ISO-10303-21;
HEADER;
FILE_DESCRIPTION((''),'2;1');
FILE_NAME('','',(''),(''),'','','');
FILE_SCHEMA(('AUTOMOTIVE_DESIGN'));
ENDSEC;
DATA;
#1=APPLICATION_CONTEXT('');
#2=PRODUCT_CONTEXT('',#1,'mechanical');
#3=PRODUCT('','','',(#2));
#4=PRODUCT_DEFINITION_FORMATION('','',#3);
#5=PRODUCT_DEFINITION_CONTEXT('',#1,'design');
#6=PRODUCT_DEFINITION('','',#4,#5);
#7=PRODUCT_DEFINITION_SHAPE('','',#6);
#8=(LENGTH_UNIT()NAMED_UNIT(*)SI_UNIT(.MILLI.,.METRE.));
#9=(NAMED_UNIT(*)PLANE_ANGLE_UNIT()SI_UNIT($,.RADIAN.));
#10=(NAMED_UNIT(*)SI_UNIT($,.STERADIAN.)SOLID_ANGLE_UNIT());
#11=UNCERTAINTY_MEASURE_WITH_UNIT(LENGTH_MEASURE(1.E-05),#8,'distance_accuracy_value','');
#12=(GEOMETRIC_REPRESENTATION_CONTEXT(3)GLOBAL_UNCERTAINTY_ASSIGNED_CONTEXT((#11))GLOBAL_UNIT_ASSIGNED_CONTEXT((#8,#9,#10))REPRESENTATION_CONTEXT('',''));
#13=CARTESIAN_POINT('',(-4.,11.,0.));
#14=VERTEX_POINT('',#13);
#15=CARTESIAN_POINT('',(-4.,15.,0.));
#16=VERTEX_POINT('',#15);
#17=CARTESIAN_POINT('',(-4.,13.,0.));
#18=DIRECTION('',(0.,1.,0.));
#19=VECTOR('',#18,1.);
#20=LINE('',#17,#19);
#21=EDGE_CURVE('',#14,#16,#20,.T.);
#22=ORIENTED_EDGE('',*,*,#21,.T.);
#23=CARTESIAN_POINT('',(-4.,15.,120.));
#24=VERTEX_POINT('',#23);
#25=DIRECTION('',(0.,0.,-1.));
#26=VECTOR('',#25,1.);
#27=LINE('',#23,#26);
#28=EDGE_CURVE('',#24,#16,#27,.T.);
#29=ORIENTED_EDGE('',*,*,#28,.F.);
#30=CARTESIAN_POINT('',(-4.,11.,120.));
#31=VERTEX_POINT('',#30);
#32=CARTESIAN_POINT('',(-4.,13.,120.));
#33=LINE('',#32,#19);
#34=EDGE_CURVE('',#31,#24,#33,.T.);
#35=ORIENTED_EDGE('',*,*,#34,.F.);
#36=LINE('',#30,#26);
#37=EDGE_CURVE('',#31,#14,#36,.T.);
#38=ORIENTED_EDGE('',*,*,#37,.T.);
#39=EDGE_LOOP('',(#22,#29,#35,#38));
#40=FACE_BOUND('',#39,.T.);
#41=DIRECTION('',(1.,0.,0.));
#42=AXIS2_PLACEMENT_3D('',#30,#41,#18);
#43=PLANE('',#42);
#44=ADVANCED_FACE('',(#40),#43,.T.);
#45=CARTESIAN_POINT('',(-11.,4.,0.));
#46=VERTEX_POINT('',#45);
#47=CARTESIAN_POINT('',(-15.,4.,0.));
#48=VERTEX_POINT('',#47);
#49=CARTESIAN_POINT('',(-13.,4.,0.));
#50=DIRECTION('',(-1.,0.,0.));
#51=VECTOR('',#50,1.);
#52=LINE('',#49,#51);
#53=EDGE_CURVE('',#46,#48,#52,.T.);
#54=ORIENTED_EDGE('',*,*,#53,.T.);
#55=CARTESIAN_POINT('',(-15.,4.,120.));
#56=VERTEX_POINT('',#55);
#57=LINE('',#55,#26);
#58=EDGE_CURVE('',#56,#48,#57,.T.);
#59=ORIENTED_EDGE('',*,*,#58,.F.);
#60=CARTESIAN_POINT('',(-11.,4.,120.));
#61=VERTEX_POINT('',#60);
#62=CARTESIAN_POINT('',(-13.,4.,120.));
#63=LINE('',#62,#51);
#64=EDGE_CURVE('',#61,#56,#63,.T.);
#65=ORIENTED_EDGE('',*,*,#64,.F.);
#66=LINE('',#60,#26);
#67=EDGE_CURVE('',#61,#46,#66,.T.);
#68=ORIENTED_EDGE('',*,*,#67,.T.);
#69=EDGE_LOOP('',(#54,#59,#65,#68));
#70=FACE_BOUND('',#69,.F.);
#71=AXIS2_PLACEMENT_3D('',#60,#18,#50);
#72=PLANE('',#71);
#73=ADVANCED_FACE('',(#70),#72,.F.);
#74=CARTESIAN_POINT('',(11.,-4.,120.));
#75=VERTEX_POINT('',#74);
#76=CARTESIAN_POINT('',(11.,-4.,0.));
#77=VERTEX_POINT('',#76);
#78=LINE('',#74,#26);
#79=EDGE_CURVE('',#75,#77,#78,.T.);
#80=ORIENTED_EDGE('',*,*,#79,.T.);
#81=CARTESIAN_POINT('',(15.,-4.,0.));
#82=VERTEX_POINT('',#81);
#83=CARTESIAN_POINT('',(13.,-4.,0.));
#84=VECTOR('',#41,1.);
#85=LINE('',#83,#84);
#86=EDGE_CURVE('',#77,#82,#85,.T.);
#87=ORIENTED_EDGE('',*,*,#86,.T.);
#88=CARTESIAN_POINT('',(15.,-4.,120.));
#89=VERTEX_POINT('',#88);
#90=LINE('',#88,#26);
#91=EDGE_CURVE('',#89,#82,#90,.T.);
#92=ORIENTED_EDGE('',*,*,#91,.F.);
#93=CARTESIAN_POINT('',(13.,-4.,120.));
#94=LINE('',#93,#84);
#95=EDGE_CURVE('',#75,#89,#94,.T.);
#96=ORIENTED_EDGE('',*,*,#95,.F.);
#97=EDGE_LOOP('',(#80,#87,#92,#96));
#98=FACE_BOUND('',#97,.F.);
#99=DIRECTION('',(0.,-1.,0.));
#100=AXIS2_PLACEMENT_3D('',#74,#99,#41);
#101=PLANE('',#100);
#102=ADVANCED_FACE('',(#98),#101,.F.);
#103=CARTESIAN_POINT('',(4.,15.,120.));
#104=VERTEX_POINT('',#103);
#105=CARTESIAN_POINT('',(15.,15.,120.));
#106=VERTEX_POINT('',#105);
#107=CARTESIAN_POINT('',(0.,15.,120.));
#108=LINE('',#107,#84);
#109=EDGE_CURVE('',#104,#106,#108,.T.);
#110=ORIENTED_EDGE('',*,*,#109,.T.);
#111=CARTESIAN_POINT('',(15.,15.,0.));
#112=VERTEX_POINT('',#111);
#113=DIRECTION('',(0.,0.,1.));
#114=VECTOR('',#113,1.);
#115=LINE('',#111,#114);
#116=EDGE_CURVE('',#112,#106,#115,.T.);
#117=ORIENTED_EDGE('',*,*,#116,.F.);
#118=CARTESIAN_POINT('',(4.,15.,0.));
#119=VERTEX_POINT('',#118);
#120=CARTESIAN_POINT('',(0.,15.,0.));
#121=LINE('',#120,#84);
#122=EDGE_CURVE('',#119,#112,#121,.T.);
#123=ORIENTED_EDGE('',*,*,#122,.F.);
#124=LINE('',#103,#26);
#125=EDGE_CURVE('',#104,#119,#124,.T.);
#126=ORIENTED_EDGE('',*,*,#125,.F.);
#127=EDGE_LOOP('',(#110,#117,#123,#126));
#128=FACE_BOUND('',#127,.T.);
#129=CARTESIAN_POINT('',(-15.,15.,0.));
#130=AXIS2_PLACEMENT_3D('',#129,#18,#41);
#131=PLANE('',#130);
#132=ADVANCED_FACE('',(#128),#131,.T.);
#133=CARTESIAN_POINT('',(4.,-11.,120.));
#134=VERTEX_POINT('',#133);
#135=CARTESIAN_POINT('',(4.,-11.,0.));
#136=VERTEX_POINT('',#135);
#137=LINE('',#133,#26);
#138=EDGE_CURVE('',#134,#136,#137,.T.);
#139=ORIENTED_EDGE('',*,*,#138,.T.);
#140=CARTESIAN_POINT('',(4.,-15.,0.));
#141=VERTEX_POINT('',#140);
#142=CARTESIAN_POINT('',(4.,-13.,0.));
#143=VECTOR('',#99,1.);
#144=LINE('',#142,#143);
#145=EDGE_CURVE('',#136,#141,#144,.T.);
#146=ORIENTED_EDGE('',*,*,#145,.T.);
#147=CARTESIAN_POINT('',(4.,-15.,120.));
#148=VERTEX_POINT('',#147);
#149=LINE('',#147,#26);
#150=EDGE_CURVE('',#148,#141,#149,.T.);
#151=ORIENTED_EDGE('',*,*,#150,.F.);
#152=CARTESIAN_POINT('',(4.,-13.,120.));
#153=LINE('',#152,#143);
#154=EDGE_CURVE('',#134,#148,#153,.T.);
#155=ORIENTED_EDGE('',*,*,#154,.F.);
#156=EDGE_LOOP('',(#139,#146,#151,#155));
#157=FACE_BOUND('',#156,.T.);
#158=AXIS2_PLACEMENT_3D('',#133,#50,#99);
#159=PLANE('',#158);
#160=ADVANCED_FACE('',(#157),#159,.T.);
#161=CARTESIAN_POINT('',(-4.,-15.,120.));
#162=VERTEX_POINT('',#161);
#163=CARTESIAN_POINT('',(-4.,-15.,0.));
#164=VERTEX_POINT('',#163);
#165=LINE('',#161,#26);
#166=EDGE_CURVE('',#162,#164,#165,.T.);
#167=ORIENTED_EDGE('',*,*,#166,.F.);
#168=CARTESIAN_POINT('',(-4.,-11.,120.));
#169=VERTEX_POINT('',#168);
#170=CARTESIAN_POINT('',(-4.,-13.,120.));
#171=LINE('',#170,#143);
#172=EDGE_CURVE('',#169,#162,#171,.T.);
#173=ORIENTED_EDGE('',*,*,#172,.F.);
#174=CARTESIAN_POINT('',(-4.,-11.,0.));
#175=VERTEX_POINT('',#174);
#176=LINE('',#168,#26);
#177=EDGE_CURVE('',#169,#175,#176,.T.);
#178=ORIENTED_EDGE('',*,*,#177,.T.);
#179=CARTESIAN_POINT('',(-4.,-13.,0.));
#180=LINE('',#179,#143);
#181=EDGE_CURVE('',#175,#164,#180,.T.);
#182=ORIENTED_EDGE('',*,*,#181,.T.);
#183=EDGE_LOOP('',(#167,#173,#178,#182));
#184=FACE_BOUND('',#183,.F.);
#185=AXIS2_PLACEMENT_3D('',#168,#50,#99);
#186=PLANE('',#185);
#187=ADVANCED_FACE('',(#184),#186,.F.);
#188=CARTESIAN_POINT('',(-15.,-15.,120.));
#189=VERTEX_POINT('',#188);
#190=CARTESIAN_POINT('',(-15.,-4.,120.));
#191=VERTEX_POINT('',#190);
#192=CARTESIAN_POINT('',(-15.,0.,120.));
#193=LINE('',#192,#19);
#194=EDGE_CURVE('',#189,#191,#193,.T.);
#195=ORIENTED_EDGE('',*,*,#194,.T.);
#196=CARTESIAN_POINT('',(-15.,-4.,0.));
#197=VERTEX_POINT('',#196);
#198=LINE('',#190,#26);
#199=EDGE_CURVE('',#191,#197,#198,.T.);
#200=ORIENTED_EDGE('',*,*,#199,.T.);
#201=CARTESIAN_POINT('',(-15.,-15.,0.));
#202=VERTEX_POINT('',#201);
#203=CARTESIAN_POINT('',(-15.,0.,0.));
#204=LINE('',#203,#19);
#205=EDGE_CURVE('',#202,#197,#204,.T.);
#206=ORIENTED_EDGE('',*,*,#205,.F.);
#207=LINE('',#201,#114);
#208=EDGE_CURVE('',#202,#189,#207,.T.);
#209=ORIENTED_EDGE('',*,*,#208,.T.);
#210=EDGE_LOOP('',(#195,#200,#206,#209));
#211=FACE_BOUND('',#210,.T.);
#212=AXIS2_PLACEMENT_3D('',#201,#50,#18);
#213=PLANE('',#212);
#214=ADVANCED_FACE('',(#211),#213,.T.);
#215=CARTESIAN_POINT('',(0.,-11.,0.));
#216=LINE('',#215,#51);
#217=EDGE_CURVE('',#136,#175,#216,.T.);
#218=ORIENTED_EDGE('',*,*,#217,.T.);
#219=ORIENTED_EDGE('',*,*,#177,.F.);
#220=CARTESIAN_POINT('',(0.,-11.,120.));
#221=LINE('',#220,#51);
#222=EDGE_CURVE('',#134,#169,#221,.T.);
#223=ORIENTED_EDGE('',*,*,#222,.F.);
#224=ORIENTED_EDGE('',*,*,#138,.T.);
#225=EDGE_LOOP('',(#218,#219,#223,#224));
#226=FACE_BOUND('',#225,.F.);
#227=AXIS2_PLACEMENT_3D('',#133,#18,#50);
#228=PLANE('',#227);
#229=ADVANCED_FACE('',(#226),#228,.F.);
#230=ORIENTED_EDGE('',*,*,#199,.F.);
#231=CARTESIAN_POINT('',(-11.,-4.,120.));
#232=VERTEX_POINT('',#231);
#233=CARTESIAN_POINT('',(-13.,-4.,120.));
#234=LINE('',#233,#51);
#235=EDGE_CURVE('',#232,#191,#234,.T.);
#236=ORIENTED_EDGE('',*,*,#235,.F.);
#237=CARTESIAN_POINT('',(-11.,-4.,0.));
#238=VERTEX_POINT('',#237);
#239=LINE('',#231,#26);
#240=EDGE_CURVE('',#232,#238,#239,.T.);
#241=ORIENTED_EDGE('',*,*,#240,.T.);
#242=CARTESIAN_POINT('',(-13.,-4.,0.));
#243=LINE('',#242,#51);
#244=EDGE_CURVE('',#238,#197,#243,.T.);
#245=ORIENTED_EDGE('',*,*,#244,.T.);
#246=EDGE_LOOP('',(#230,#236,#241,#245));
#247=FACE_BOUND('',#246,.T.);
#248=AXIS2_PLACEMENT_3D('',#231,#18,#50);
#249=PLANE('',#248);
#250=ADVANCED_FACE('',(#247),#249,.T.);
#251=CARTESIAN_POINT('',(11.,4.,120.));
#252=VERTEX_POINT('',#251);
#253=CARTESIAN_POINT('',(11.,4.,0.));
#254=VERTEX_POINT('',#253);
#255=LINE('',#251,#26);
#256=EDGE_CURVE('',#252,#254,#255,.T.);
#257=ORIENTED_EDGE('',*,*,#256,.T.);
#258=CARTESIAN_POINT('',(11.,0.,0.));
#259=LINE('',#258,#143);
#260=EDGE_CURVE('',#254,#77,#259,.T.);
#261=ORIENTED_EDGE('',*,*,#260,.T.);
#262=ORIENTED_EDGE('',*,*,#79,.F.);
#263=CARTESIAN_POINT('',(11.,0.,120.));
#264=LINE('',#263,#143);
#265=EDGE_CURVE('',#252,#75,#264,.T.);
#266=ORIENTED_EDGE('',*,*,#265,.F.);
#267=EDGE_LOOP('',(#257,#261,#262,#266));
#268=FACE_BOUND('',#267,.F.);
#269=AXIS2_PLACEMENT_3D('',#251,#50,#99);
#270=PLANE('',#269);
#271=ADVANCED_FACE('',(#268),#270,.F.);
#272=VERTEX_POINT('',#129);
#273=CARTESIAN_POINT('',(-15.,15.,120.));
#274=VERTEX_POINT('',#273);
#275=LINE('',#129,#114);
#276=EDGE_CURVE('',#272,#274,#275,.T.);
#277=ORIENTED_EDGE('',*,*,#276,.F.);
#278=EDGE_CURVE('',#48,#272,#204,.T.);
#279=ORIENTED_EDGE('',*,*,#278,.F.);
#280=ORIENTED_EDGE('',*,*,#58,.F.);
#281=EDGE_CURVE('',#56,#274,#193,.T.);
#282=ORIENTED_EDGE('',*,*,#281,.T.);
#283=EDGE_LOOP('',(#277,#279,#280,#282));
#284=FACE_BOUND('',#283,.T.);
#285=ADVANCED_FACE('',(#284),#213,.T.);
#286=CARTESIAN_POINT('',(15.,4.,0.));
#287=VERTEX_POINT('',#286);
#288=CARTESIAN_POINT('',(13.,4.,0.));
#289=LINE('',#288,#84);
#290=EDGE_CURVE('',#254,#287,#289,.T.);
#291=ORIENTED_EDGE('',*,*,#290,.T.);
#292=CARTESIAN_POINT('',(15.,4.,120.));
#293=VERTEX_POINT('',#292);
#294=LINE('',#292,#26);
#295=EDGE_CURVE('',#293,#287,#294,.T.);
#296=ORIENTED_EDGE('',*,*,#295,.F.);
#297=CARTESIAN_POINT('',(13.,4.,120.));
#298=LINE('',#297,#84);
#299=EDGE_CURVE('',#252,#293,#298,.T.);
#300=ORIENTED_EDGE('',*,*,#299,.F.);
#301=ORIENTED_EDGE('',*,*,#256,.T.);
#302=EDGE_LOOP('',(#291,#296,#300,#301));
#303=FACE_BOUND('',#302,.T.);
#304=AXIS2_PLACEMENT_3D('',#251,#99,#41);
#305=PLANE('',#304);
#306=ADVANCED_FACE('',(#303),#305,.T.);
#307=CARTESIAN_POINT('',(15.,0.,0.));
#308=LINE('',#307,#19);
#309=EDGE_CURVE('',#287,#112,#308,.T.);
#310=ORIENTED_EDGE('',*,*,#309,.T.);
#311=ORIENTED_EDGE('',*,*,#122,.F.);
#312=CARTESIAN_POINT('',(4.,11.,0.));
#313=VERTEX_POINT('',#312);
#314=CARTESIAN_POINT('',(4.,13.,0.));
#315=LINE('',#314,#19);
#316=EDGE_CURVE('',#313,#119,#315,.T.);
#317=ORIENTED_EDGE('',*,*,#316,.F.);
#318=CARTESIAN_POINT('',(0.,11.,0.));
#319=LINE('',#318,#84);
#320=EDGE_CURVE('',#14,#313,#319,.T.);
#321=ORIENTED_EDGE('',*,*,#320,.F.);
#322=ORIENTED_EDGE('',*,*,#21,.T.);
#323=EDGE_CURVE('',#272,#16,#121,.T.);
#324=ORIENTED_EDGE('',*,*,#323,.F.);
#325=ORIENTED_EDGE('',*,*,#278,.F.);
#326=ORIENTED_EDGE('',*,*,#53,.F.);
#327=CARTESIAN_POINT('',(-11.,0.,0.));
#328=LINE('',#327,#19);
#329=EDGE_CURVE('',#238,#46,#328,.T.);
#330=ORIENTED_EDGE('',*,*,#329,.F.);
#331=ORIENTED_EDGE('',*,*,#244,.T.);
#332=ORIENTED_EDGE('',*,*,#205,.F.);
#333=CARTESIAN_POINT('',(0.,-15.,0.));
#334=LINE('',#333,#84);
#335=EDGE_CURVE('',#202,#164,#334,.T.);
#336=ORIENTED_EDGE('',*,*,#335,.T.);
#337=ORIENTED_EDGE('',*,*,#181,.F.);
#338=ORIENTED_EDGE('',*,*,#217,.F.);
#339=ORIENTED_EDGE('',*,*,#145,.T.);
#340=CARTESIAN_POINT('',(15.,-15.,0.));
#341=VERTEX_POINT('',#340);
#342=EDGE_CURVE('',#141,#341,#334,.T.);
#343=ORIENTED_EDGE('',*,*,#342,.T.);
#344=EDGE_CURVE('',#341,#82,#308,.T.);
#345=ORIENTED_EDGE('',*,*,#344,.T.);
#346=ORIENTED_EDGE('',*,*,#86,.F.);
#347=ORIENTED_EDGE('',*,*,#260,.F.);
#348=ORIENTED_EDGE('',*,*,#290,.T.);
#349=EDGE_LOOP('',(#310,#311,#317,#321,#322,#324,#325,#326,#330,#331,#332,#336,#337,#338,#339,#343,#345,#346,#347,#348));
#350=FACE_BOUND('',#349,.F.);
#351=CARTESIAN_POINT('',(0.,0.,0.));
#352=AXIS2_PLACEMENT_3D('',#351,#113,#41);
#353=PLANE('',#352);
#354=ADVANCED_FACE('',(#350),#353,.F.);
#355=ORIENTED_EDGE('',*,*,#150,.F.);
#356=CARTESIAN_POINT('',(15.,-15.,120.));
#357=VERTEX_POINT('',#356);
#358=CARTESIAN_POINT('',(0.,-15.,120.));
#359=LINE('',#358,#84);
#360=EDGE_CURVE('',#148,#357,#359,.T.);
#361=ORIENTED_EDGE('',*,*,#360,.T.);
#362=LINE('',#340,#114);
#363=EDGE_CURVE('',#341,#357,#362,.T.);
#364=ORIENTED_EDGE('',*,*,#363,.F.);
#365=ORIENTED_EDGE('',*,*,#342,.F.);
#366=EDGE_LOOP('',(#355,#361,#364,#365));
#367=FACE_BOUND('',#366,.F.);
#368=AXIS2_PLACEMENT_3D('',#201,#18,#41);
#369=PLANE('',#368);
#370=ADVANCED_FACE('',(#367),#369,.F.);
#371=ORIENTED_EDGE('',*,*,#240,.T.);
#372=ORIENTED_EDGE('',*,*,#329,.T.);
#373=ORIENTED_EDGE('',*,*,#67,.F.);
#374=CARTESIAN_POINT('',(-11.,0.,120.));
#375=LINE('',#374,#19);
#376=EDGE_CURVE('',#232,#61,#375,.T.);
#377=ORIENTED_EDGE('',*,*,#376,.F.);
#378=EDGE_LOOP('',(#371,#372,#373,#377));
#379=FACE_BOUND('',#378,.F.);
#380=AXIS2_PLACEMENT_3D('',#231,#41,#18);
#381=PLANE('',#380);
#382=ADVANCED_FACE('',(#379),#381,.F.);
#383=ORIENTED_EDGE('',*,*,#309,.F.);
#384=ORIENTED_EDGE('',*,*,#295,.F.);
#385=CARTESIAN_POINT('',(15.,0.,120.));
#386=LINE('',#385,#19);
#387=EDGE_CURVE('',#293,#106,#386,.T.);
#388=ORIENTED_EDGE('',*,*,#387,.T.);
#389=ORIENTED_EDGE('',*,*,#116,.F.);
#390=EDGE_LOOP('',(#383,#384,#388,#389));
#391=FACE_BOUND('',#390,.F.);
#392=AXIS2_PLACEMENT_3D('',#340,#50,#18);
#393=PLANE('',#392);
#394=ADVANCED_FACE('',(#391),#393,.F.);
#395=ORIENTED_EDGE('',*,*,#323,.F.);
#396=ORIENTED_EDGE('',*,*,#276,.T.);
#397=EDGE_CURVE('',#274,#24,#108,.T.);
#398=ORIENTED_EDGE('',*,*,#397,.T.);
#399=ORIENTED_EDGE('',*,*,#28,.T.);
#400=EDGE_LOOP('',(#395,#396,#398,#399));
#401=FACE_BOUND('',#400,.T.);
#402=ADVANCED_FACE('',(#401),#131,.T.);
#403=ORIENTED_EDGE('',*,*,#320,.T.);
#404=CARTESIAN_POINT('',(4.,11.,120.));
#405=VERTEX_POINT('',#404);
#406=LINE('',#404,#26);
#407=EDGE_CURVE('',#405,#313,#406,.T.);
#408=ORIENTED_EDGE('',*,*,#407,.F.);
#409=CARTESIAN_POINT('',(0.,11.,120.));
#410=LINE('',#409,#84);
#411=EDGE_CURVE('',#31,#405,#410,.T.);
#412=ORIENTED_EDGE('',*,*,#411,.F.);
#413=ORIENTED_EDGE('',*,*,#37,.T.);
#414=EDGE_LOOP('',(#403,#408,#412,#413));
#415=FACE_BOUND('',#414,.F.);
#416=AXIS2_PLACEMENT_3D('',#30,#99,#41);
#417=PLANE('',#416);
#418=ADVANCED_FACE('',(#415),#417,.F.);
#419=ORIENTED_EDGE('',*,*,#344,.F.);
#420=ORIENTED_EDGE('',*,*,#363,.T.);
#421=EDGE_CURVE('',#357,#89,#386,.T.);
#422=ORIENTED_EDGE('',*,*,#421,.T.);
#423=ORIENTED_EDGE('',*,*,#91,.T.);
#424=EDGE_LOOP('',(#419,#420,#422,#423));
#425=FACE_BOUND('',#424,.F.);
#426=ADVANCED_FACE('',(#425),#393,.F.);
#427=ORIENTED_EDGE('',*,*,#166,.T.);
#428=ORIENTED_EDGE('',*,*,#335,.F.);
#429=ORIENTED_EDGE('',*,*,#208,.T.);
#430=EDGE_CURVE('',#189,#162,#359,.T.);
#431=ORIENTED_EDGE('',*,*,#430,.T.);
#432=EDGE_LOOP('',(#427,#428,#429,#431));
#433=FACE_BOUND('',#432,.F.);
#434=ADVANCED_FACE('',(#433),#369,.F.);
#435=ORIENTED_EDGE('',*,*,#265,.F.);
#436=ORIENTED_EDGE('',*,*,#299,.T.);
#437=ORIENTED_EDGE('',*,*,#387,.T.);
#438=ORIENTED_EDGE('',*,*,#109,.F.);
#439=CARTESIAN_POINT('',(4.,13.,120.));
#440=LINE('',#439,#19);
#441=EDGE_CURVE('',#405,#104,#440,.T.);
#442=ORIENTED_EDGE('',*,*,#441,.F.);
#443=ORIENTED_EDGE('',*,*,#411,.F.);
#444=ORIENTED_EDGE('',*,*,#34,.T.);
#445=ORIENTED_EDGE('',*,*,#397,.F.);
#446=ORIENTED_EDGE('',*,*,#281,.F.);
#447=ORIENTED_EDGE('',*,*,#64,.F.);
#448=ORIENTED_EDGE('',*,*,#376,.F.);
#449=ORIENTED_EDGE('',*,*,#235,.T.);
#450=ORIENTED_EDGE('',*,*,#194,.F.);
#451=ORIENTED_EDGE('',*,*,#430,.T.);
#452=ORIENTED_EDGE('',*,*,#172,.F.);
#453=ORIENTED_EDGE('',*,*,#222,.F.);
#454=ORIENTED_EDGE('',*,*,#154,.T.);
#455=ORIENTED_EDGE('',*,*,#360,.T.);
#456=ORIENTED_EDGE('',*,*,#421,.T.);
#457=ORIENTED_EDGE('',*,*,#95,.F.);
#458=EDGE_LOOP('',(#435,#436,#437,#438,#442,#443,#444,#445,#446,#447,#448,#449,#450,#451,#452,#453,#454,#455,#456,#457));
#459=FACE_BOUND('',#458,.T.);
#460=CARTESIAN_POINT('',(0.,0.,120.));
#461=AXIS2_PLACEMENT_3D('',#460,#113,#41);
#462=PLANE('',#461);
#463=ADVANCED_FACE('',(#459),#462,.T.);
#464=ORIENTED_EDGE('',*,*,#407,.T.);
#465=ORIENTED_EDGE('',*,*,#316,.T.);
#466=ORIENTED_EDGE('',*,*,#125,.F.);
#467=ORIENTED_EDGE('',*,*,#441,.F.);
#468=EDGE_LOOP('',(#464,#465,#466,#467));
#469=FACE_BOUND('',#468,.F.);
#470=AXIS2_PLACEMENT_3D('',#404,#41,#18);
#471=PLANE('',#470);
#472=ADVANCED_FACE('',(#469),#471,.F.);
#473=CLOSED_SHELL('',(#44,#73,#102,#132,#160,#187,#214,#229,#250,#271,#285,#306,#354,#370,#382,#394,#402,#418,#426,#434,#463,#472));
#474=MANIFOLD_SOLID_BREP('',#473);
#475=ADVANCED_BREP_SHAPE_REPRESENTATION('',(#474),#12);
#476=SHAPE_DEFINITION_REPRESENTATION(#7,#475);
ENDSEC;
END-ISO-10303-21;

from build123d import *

# Parameters (mm, degrees)
SKETCH_W           = 30
SKETCH_H           = 30
PAD_DEPTH          = 120
SKETCH001_W        = 8
SKETCH001_H        = 4
POCKET_DEPTH       = 120
POLARPATTERN_COUNT = 4


with BuildPart() as part:
    # Sketch → Pad (new body)
    with BuildSketch(Plane.XY):
        Rectangle(SKETCH_W, SKETCH_H)
    extrude(amount=PAD_DEPTH)

    # Sketch001 (on Face6 of Pad) → Pocket (cut)
    with BuildSketch(Plane.XY.offset(120)):
        with Locations((0, 13)):
            Rectangle(SKETCH001_W, SKETCH001_H)
    pocket = extrude(amount=-POCKET_DEPTH, mode=Mode.SUBTRACT)

    # PolarPattern: Pocket ×4 about axis
    polarpattern_axis = Axis((0, 0, 120), (0, 0, 1))
    for i in range(1, POLARPATTERN_COUNT):
        add(pocket.rotate(polarpattern_axis, i * 360 / POLARPATTERN_COUNT), mode=Mode.SUBTRACT)


solid = part.part
